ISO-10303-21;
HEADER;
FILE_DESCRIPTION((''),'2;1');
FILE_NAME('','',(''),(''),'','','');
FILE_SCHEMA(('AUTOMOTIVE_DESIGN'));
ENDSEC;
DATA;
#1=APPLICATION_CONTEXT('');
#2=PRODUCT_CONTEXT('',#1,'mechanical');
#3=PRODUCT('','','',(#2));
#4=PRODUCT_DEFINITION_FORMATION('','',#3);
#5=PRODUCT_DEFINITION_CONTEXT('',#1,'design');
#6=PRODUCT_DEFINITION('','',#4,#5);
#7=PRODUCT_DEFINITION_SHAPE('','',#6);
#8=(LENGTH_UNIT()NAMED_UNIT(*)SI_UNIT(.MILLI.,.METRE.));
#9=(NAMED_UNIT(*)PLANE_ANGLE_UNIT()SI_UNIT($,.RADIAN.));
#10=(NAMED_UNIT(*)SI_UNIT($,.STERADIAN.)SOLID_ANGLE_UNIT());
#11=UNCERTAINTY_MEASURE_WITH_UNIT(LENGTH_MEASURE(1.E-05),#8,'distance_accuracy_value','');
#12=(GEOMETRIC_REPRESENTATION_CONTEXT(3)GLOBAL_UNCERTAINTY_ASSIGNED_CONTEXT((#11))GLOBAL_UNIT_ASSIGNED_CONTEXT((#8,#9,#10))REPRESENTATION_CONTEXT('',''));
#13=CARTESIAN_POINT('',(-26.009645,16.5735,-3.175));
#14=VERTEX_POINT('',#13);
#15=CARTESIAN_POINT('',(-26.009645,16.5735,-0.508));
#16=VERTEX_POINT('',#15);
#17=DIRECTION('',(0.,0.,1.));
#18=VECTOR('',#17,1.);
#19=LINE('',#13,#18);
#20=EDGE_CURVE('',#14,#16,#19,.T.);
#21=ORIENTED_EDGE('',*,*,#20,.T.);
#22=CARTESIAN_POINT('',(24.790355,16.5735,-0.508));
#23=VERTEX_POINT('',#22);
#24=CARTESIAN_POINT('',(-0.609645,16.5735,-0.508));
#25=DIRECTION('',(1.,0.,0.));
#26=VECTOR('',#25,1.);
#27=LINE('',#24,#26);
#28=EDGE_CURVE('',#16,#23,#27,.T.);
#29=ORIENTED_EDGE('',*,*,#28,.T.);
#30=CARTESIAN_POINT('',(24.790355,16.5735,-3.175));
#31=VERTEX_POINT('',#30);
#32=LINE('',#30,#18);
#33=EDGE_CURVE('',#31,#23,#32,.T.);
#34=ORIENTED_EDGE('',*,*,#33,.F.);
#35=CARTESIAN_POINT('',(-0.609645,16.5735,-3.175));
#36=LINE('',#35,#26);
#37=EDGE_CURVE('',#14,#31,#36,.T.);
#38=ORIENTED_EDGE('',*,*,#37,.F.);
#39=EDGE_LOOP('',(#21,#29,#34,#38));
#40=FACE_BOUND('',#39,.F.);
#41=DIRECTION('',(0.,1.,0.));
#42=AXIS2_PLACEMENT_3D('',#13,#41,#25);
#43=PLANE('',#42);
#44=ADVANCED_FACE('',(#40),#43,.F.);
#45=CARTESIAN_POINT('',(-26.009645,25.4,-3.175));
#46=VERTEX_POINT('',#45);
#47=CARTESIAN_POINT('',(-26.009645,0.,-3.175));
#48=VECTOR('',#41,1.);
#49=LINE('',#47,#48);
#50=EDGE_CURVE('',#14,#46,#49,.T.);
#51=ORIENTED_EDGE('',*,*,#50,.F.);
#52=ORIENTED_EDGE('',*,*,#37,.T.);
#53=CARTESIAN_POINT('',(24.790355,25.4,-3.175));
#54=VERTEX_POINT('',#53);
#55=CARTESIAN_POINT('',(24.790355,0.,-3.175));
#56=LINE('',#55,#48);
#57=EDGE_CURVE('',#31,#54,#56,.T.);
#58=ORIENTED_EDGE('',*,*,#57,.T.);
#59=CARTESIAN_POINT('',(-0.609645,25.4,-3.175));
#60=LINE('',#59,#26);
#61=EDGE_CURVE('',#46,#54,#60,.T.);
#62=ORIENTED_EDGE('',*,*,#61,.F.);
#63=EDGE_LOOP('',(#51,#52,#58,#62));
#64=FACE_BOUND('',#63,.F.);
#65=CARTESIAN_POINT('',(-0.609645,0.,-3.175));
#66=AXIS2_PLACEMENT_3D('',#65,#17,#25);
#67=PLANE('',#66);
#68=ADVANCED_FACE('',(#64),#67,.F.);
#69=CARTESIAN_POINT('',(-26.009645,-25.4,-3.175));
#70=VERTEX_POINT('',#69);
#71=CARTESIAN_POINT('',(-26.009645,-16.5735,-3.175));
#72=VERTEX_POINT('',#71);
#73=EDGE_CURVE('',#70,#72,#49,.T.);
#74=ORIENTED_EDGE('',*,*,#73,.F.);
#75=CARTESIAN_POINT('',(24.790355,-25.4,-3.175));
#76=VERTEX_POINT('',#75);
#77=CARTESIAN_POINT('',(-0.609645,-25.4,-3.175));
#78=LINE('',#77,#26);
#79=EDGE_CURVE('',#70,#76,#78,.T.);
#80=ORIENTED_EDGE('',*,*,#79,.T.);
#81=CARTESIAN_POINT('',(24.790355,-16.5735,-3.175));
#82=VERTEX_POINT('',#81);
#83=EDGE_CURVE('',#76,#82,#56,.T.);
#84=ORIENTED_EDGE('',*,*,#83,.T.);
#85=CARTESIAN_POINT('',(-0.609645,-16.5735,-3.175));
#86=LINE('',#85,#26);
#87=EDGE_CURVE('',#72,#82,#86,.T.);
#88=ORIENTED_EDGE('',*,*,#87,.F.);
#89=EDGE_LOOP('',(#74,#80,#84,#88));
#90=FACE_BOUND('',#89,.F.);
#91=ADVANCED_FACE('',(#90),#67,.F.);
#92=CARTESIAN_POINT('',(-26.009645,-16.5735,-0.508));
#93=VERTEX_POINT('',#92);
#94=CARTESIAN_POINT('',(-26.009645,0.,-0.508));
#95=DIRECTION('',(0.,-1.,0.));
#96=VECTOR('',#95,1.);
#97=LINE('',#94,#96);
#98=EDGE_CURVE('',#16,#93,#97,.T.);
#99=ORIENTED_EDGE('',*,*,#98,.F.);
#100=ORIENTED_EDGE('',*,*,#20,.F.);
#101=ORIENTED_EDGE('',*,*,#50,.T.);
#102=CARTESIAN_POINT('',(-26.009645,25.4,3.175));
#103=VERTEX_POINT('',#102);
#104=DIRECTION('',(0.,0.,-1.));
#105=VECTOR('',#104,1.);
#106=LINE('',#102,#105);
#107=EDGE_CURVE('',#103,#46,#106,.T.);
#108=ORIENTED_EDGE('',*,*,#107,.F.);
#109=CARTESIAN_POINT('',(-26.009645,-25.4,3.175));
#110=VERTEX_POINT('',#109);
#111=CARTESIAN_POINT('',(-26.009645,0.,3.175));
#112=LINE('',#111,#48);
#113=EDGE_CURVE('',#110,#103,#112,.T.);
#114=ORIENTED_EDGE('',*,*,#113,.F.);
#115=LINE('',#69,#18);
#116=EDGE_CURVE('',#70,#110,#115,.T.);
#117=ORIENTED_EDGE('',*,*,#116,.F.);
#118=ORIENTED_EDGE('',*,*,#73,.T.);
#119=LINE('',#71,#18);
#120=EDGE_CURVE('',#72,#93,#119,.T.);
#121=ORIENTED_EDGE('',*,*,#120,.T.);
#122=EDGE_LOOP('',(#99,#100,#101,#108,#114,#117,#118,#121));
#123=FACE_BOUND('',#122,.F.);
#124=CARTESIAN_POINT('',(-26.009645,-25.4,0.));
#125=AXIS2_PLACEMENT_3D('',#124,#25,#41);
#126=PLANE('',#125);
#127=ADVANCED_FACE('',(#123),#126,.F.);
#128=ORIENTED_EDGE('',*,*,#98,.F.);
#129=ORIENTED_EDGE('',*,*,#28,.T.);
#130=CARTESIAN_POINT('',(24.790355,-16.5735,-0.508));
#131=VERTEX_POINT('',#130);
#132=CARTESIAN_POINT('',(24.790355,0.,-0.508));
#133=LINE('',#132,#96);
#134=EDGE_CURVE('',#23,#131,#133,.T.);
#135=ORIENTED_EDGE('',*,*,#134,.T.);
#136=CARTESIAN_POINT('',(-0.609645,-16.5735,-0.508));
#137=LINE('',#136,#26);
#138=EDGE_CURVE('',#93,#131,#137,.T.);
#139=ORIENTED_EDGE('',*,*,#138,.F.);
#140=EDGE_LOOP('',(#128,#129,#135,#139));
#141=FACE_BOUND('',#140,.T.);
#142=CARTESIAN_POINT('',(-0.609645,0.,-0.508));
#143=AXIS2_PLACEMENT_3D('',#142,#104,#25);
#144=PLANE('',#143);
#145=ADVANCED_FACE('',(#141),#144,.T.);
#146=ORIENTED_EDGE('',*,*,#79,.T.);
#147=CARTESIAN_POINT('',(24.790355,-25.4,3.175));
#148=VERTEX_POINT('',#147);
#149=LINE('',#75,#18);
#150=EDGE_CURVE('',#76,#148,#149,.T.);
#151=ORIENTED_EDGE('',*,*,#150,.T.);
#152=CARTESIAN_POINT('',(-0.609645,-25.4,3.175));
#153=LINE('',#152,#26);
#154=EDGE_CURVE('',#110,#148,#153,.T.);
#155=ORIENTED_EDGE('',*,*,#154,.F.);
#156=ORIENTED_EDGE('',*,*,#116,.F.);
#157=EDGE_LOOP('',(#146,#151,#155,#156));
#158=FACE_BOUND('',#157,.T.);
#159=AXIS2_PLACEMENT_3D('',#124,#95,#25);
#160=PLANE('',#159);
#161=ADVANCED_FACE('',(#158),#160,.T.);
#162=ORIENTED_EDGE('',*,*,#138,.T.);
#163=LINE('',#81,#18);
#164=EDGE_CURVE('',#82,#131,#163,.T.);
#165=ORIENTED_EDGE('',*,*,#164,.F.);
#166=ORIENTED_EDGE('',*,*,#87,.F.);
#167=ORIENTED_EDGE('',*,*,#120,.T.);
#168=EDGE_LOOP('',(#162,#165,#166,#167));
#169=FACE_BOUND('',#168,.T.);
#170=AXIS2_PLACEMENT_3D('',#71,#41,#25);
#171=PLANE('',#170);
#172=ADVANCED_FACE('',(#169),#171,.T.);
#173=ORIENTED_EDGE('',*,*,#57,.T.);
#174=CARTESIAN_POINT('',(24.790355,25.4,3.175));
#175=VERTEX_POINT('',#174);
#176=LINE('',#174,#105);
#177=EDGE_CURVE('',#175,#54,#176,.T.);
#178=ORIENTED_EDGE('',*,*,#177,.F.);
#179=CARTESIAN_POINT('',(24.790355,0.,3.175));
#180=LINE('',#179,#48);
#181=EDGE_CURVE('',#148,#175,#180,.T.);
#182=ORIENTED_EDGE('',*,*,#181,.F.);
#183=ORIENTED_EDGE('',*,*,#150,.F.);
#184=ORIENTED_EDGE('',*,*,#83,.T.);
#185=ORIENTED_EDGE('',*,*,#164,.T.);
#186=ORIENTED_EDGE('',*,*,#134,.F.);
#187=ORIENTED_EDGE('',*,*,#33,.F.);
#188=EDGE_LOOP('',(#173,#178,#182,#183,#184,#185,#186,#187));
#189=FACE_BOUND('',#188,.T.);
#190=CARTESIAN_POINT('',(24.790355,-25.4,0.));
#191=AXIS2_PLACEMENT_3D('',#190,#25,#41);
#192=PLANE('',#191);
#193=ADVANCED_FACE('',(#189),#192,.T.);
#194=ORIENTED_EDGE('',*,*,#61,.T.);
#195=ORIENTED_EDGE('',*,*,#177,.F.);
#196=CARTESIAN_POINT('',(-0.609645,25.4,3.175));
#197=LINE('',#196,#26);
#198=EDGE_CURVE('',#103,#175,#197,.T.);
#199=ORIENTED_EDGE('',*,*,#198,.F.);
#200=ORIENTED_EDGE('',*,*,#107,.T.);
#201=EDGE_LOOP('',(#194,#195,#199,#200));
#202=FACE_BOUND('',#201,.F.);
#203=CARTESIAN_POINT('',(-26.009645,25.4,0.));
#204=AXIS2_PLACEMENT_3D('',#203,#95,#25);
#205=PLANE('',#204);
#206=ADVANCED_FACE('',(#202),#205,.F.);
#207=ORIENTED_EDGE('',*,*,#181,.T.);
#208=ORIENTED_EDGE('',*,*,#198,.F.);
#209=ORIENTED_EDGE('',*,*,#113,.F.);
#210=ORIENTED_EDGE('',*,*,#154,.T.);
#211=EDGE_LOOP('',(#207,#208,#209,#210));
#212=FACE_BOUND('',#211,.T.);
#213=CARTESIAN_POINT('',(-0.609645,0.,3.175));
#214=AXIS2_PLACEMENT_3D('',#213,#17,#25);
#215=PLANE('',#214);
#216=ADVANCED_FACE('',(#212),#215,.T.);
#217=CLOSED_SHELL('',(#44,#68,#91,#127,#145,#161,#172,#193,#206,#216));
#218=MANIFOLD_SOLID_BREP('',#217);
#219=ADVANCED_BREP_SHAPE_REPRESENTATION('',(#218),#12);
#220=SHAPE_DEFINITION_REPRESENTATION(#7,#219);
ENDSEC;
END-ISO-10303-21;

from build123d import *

# Parameters (mm, degrees)
F0_W     = 50.8
F0_H     = 50.8
F1_DEPTH = 3.175
F2_W     = 50.8
F2_H     = 33.147
F3_DEPTH = 2.667


with BuildPart() as f1:
    # F0 (on Top) → F1 (new body, symmetric)
    with BuildSketch(Plane.XY):
        with Locations((-0.609645, 0)):
            Rectangle(F0_W, F0_H)
    extrude(amount=F1_DEPTH, both=True)

    # F2 (on face) → F3 (cut)
    with BuildSketch(Plane(origin=(0, 0, -3.175), x_dir=(1, 0, 0), z_dir=(0, 0, -1))):
        with Locations((-0.609645, 0)):
            Rectangle(F2_W, F2_H)
    extrude(amount=-F3_DEPTH, mode=Mode.SUBTRACT)


solid = f1.part
